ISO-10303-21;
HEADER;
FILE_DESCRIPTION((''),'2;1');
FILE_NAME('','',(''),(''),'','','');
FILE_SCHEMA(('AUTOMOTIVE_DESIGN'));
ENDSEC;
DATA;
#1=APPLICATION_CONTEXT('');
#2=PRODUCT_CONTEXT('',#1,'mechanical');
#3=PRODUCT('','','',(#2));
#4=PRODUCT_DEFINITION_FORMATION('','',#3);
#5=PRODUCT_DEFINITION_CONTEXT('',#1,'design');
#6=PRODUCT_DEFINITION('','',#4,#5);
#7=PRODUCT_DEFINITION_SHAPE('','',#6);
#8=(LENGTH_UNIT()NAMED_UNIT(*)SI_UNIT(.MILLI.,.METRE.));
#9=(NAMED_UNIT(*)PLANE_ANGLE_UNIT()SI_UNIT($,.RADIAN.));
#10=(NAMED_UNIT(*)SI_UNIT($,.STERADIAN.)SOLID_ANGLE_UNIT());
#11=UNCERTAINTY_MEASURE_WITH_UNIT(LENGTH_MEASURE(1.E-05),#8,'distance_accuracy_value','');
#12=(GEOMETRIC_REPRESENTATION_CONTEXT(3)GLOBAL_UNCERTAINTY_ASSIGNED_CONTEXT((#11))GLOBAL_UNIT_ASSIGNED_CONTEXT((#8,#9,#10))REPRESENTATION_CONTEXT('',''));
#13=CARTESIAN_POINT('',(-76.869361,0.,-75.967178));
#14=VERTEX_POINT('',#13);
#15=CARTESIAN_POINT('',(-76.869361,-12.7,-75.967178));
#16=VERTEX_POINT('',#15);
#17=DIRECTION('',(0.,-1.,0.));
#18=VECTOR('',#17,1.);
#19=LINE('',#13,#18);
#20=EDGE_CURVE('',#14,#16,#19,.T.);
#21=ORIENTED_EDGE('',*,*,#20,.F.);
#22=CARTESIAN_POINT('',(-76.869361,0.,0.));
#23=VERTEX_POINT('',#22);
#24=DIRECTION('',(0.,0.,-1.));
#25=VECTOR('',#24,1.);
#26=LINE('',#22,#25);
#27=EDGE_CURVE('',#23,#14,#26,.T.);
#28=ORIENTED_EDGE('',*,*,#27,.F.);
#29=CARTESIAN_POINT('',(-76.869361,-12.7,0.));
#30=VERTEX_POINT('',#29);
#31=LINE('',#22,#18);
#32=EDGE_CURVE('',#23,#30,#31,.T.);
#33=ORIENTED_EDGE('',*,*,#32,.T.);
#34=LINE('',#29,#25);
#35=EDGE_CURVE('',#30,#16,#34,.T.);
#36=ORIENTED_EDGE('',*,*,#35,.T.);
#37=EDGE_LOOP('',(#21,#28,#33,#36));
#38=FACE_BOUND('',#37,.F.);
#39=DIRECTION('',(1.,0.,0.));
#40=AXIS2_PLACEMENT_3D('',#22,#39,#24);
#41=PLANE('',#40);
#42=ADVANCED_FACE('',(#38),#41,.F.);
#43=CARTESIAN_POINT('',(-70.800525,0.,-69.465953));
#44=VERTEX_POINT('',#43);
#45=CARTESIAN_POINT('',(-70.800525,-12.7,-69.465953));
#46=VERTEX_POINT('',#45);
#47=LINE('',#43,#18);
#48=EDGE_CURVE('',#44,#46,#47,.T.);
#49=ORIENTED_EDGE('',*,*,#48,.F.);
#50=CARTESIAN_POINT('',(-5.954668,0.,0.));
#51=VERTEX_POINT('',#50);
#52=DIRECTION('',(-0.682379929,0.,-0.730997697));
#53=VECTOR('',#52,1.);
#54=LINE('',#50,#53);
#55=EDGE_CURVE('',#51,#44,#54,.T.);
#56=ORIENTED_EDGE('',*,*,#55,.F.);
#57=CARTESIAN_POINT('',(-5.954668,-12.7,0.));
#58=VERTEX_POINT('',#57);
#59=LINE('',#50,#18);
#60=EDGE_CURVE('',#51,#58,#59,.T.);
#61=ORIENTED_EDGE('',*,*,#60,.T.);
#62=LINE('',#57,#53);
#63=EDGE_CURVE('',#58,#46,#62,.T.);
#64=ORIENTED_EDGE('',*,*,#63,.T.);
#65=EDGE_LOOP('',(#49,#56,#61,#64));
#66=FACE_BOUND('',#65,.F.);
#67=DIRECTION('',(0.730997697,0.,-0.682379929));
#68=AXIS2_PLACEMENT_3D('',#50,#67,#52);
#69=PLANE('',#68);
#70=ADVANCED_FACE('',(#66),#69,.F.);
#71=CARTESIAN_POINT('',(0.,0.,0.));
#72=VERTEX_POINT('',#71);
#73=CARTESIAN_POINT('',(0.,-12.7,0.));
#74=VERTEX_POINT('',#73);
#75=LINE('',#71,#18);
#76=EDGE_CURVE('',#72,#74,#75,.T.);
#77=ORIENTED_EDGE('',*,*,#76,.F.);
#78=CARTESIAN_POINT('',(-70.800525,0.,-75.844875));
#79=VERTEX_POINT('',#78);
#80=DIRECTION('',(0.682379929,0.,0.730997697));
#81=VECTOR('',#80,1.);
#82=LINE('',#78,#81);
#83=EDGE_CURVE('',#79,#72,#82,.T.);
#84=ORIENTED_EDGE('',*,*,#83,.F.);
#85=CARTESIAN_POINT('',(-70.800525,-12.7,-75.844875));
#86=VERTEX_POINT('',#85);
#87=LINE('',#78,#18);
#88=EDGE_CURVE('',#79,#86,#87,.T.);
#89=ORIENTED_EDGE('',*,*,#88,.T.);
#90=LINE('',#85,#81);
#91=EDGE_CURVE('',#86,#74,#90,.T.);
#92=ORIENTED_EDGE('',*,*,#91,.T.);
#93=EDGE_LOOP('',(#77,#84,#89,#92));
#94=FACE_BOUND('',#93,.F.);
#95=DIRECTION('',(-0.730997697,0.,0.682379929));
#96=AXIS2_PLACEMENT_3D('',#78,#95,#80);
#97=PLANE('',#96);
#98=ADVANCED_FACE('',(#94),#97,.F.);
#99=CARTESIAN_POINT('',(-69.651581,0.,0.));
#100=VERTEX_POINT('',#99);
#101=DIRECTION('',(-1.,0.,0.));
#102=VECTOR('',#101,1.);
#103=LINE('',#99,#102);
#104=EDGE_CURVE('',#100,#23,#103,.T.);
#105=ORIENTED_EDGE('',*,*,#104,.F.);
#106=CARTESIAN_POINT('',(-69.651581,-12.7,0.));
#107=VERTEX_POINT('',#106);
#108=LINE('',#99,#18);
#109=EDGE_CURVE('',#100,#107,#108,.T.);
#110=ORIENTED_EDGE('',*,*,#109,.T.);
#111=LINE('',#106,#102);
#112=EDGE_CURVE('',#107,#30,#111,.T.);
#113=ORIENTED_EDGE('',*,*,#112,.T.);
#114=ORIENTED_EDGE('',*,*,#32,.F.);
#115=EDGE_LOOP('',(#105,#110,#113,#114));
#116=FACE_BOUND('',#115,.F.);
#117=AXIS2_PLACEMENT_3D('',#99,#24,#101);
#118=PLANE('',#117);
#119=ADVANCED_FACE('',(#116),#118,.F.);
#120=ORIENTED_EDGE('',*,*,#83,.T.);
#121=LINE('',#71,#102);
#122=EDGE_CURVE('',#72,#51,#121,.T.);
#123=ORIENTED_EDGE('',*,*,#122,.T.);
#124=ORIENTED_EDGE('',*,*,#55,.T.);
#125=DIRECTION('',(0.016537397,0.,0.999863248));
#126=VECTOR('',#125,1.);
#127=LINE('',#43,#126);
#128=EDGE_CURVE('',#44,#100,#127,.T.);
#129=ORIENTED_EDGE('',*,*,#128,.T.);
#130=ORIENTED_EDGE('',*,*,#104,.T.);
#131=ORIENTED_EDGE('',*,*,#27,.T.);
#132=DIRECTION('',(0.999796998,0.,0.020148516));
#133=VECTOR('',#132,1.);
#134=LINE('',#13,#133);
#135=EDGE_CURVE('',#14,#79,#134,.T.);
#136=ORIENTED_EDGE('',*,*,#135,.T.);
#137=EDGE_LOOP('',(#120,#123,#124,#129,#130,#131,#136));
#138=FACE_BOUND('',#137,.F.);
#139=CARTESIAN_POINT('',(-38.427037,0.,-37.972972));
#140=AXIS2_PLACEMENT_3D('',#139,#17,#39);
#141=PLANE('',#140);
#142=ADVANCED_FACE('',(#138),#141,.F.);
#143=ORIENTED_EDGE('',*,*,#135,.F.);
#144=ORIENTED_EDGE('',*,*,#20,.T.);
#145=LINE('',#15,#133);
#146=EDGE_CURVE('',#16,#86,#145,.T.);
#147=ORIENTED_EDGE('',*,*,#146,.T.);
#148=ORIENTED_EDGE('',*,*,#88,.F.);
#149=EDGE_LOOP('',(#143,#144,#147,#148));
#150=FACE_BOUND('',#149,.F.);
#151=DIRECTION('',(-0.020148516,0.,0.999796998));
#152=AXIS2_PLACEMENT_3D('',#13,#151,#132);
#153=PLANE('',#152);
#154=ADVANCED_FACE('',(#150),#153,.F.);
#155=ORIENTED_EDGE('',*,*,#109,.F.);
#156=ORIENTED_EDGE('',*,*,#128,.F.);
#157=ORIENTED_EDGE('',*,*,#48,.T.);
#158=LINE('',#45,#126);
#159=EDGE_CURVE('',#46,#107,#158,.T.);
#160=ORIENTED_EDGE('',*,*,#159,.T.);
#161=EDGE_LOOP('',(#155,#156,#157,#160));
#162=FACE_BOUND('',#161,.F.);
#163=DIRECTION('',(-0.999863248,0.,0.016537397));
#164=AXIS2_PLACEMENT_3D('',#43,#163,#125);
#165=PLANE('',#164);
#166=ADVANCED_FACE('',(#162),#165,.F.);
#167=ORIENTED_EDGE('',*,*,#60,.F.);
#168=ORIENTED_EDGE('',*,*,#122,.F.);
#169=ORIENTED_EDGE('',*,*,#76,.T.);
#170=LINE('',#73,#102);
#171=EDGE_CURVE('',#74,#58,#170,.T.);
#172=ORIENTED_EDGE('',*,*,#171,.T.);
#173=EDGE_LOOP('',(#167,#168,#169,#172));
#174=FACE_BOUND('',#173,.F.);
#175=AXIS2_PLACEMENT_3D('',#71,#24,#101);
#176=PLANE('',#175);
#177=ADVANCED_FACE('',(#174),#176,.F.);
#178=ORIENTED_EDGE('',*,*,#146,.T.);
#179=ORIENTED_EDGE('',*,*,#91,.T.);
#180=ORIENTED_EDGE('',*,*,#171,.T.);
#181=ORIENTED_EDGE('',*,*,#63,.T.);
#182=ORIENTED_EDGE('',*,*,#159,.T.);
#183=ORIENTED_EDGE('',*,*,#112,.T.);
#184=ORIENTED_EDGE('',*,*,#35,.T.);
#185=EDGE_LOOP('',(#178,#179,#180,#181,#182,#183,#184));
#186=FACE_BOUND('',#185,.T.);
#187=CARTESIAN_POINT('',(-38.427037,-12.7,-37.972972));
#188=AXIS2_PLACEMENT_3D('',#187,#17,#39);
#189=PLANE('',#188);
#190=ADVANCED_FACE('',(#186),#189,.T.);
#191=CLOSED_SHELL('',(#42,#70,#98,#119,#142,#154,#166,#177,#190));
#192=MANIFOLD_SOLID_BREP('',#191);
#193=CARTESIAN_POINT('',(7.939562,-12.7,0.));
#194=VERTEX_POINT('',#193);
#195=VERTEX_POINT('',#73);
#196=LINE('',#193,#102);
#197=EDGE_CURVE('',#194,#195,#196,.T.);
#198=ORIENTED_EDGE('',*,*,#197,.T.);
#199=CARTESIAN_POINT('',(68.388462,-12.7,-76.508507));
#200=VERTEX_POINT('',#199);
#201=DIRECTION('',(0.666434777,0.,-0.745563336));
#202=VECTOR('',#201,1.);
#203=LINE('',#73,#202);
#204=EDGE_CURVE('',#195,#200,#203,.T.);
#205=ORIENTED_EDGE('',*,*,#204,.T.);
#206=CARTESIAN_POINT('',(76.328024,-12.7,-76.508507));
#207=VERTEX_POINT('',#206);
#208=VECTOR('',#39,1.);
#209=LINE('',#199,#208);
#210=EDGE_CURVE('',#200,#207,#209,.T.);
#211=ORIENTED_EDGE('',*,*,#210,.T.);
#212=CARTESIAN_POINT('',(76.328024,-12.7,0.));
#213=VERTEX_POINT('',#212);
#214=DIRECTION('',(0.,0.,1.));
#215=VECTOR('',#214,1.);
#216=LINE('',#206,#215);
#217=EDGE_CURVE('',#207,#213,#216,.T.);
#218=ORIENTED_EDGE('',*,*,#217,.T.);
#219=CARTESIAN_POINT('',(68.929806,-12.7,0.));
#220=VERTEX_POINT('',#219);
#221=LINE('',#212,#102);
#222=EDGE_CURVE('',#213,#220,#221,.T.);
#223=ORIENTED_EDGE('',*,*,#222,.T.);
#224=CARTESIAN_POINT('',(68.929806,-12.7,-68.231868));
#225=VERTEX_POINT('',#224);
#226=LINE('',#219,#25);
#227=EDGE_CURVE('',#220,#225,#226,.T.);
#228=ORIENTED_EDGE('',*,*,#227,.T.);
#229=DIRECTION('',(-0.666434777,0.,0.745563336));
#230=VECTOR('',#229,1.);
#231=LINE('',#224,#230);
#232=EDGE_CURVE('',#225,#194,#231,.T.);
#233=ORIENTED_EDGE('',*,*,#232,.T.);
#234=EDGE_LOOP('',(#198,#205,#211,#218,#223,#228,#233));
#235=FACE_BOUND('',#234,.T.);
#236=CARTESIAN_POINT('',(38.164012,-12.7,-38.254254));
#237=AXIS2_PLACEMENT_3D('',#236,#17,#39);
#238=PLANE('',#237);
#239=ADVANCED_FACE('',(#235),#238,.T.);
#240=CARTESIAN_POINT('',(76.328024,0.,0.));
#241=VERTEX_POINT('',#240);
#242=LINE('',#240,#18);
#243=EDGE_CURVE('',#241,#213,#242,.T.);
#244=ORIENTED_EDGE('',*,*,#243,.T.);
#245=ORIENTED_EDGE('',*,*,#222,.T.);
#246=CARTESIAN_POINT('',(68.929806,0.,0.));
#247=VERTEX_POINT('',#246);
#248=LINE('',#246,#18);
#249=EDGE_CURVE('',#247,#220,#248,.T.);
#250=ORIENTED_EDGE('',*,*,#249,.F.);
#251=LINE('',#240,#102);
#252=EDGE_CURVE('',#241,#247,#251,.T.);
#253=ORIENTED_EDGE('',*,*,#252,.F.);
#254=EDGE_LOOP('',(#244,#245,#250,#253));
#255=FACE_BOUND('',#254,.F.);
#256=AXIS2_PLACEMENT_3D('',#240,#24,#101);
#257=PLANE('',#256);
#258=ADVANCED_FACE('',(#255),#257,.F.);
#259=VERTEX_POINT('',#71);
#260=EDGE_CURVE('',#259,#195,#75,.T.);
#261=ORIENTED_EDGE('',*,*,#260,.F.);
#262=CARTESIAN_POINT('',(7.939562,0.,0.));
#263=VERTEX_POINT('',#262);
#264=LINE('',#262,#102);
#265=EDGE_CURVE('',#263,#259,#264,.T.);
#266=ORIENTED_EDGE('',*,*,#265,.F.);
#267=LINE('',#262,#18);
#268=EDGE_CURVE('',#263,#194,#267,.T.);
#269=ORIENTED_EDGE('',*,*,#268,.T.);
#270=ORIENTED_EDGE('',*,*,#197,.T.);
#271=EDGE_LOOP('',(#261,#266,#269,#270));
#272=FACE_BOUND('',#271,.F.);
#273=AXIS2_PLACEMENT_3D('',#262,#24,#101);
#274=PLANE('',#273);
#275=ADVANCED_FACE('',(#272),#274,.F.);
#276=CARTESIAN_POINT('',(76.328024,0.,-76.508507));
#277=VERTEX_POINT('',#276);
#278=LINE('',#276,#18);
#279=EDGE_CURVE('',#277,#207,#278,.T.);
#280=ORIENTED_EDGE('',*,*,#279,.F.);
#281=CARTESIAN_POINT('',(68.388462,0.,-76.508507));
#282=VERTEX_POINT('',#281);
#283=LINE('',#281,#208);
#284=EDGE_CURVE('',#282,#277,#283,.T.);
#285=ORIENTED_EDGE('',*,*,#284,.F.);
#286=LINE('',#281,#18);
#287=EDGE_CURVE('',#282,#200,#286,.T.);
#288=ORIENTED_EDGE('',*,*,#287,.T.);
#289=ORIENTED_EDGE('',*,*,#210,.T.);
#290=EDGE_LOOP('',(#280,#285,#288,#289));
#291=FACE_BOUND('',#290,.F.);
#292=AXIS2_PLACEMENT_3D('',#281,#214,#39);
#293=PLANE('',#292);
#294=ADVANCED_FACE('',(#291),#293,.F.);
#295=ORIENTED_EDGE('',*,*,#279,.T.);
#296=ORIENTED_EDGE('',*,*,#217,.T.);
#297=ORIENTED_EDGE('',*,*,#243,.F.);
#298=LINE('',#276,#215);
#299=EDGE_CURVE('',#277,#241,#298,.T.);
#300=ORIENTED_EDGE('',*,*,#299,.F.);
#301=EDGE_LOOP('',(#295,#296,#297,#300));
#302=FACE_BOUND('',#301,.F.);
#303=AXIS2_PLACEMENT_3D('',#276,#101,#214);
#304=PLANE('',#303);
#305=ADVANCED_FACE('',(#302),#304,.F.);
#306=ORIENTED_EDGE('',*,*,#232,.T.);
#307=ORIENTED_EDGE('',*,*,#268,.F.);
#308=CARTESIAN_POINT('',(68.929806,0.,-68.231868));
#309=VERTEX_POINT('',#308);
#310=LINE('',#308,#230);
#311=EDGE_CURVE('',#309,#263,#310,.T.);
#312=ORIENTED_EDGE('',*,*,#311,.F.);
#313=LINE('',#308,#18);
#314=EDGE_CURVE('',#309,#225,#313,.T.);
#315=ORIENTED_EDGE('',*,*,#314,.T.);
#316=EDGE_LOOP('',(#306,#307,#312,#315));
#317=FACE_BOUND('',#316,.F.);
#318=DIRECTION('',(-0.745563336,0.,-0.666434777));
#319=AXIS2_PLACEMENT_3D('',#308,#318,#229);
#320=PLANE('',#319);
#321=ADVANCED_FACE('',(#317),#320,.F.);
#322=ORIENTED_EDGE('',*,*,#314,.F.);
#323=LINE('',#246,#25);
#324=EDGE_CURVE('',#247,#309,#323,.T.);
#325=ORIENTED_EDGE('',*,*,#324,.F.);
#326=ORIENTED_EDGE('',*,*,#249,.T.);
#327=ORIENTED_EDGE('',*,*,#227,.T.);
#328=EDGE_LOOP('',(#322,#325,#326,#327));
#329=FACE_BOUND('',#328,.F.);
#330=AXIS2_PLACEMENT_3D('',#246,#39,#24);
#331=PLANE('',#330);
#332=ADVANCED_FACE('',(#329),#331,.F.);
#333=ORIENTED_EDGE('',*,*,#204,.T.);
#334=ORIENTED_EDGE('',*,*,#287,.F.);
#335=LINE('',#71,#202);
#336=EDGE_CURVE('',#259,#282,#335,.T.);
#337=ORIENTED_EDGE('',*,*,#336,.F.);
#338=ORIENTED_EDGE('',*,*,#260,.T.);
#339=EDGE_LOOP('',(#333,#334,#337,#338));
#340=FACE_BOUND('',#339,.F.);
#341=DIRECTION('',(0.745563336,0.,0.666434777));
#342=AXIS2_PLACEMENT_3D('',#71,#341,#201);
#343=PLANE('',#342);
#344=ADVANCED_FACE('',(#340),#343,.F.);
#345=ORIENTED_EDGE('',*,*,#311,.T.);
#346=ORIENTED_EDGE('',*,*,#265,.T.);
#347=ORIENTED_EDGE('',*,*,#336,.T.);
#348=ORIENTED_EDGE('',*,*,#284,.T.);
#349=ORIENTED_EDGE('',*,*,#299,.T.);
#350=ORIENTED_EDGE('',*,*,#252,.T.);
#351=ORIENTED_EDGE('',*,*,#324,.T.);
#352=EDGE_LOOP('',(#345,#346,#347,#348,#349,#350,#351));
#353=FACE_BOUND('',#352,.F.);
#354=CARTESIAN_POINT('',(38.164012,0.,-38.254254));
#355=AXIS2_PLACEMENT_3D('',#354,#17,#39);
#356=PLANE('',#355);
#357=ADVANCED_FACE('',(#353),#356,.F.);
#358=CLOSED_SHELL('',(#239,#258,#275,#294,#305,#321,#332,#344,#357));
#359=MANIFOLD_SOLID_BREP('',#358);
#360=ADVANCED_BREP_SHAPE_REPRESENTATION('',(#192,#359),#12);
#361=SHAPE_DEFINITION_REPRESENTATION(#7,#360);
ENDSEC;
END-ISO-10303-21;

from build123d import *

# Parameters (mm, degrees)
F1_DEPTH = 12.7


with BuildPart() as f1:
    # F0 (on Front) → F1 (new body)
    with BuildSketch(Plane.XZ):
        Polygon((7.9395622015, 0), (0, 0), (68.3884620667, -76.5085071325), (76.3280242682, -76.5085071325), (68.9298063517, -68.2318681919), align=None)
        Polygon((68.9298063517, -68.2318681919), (76.3280242682, -76.5085071325), (76.3280242682, 0), (68.9298063517, 0), align=None)
    extrude(amount=F1_DEPTH)


with BuildPart() as f1b:
    # F0 (on Front) → F1, piece 2 (new body)
    with BuildSketch(Plane.XZ):
        Polygon((-70.8005245154, -69.4659525851), (-76.8693611026, -75.9671777487), (-70.8005245154, -75.8448748718), (0, 0), (-5.9546679258, 0), align=None)
        Polygon((-76.8693611026, 0), (-76.8693611026, -75.9671777487), (-70.8005245154, -69.4659525851), (-69.651581347, 0), align=None)
    extrude(amount=F1_DEPTH)


solid = Compound([f1.part, f1b.part])
